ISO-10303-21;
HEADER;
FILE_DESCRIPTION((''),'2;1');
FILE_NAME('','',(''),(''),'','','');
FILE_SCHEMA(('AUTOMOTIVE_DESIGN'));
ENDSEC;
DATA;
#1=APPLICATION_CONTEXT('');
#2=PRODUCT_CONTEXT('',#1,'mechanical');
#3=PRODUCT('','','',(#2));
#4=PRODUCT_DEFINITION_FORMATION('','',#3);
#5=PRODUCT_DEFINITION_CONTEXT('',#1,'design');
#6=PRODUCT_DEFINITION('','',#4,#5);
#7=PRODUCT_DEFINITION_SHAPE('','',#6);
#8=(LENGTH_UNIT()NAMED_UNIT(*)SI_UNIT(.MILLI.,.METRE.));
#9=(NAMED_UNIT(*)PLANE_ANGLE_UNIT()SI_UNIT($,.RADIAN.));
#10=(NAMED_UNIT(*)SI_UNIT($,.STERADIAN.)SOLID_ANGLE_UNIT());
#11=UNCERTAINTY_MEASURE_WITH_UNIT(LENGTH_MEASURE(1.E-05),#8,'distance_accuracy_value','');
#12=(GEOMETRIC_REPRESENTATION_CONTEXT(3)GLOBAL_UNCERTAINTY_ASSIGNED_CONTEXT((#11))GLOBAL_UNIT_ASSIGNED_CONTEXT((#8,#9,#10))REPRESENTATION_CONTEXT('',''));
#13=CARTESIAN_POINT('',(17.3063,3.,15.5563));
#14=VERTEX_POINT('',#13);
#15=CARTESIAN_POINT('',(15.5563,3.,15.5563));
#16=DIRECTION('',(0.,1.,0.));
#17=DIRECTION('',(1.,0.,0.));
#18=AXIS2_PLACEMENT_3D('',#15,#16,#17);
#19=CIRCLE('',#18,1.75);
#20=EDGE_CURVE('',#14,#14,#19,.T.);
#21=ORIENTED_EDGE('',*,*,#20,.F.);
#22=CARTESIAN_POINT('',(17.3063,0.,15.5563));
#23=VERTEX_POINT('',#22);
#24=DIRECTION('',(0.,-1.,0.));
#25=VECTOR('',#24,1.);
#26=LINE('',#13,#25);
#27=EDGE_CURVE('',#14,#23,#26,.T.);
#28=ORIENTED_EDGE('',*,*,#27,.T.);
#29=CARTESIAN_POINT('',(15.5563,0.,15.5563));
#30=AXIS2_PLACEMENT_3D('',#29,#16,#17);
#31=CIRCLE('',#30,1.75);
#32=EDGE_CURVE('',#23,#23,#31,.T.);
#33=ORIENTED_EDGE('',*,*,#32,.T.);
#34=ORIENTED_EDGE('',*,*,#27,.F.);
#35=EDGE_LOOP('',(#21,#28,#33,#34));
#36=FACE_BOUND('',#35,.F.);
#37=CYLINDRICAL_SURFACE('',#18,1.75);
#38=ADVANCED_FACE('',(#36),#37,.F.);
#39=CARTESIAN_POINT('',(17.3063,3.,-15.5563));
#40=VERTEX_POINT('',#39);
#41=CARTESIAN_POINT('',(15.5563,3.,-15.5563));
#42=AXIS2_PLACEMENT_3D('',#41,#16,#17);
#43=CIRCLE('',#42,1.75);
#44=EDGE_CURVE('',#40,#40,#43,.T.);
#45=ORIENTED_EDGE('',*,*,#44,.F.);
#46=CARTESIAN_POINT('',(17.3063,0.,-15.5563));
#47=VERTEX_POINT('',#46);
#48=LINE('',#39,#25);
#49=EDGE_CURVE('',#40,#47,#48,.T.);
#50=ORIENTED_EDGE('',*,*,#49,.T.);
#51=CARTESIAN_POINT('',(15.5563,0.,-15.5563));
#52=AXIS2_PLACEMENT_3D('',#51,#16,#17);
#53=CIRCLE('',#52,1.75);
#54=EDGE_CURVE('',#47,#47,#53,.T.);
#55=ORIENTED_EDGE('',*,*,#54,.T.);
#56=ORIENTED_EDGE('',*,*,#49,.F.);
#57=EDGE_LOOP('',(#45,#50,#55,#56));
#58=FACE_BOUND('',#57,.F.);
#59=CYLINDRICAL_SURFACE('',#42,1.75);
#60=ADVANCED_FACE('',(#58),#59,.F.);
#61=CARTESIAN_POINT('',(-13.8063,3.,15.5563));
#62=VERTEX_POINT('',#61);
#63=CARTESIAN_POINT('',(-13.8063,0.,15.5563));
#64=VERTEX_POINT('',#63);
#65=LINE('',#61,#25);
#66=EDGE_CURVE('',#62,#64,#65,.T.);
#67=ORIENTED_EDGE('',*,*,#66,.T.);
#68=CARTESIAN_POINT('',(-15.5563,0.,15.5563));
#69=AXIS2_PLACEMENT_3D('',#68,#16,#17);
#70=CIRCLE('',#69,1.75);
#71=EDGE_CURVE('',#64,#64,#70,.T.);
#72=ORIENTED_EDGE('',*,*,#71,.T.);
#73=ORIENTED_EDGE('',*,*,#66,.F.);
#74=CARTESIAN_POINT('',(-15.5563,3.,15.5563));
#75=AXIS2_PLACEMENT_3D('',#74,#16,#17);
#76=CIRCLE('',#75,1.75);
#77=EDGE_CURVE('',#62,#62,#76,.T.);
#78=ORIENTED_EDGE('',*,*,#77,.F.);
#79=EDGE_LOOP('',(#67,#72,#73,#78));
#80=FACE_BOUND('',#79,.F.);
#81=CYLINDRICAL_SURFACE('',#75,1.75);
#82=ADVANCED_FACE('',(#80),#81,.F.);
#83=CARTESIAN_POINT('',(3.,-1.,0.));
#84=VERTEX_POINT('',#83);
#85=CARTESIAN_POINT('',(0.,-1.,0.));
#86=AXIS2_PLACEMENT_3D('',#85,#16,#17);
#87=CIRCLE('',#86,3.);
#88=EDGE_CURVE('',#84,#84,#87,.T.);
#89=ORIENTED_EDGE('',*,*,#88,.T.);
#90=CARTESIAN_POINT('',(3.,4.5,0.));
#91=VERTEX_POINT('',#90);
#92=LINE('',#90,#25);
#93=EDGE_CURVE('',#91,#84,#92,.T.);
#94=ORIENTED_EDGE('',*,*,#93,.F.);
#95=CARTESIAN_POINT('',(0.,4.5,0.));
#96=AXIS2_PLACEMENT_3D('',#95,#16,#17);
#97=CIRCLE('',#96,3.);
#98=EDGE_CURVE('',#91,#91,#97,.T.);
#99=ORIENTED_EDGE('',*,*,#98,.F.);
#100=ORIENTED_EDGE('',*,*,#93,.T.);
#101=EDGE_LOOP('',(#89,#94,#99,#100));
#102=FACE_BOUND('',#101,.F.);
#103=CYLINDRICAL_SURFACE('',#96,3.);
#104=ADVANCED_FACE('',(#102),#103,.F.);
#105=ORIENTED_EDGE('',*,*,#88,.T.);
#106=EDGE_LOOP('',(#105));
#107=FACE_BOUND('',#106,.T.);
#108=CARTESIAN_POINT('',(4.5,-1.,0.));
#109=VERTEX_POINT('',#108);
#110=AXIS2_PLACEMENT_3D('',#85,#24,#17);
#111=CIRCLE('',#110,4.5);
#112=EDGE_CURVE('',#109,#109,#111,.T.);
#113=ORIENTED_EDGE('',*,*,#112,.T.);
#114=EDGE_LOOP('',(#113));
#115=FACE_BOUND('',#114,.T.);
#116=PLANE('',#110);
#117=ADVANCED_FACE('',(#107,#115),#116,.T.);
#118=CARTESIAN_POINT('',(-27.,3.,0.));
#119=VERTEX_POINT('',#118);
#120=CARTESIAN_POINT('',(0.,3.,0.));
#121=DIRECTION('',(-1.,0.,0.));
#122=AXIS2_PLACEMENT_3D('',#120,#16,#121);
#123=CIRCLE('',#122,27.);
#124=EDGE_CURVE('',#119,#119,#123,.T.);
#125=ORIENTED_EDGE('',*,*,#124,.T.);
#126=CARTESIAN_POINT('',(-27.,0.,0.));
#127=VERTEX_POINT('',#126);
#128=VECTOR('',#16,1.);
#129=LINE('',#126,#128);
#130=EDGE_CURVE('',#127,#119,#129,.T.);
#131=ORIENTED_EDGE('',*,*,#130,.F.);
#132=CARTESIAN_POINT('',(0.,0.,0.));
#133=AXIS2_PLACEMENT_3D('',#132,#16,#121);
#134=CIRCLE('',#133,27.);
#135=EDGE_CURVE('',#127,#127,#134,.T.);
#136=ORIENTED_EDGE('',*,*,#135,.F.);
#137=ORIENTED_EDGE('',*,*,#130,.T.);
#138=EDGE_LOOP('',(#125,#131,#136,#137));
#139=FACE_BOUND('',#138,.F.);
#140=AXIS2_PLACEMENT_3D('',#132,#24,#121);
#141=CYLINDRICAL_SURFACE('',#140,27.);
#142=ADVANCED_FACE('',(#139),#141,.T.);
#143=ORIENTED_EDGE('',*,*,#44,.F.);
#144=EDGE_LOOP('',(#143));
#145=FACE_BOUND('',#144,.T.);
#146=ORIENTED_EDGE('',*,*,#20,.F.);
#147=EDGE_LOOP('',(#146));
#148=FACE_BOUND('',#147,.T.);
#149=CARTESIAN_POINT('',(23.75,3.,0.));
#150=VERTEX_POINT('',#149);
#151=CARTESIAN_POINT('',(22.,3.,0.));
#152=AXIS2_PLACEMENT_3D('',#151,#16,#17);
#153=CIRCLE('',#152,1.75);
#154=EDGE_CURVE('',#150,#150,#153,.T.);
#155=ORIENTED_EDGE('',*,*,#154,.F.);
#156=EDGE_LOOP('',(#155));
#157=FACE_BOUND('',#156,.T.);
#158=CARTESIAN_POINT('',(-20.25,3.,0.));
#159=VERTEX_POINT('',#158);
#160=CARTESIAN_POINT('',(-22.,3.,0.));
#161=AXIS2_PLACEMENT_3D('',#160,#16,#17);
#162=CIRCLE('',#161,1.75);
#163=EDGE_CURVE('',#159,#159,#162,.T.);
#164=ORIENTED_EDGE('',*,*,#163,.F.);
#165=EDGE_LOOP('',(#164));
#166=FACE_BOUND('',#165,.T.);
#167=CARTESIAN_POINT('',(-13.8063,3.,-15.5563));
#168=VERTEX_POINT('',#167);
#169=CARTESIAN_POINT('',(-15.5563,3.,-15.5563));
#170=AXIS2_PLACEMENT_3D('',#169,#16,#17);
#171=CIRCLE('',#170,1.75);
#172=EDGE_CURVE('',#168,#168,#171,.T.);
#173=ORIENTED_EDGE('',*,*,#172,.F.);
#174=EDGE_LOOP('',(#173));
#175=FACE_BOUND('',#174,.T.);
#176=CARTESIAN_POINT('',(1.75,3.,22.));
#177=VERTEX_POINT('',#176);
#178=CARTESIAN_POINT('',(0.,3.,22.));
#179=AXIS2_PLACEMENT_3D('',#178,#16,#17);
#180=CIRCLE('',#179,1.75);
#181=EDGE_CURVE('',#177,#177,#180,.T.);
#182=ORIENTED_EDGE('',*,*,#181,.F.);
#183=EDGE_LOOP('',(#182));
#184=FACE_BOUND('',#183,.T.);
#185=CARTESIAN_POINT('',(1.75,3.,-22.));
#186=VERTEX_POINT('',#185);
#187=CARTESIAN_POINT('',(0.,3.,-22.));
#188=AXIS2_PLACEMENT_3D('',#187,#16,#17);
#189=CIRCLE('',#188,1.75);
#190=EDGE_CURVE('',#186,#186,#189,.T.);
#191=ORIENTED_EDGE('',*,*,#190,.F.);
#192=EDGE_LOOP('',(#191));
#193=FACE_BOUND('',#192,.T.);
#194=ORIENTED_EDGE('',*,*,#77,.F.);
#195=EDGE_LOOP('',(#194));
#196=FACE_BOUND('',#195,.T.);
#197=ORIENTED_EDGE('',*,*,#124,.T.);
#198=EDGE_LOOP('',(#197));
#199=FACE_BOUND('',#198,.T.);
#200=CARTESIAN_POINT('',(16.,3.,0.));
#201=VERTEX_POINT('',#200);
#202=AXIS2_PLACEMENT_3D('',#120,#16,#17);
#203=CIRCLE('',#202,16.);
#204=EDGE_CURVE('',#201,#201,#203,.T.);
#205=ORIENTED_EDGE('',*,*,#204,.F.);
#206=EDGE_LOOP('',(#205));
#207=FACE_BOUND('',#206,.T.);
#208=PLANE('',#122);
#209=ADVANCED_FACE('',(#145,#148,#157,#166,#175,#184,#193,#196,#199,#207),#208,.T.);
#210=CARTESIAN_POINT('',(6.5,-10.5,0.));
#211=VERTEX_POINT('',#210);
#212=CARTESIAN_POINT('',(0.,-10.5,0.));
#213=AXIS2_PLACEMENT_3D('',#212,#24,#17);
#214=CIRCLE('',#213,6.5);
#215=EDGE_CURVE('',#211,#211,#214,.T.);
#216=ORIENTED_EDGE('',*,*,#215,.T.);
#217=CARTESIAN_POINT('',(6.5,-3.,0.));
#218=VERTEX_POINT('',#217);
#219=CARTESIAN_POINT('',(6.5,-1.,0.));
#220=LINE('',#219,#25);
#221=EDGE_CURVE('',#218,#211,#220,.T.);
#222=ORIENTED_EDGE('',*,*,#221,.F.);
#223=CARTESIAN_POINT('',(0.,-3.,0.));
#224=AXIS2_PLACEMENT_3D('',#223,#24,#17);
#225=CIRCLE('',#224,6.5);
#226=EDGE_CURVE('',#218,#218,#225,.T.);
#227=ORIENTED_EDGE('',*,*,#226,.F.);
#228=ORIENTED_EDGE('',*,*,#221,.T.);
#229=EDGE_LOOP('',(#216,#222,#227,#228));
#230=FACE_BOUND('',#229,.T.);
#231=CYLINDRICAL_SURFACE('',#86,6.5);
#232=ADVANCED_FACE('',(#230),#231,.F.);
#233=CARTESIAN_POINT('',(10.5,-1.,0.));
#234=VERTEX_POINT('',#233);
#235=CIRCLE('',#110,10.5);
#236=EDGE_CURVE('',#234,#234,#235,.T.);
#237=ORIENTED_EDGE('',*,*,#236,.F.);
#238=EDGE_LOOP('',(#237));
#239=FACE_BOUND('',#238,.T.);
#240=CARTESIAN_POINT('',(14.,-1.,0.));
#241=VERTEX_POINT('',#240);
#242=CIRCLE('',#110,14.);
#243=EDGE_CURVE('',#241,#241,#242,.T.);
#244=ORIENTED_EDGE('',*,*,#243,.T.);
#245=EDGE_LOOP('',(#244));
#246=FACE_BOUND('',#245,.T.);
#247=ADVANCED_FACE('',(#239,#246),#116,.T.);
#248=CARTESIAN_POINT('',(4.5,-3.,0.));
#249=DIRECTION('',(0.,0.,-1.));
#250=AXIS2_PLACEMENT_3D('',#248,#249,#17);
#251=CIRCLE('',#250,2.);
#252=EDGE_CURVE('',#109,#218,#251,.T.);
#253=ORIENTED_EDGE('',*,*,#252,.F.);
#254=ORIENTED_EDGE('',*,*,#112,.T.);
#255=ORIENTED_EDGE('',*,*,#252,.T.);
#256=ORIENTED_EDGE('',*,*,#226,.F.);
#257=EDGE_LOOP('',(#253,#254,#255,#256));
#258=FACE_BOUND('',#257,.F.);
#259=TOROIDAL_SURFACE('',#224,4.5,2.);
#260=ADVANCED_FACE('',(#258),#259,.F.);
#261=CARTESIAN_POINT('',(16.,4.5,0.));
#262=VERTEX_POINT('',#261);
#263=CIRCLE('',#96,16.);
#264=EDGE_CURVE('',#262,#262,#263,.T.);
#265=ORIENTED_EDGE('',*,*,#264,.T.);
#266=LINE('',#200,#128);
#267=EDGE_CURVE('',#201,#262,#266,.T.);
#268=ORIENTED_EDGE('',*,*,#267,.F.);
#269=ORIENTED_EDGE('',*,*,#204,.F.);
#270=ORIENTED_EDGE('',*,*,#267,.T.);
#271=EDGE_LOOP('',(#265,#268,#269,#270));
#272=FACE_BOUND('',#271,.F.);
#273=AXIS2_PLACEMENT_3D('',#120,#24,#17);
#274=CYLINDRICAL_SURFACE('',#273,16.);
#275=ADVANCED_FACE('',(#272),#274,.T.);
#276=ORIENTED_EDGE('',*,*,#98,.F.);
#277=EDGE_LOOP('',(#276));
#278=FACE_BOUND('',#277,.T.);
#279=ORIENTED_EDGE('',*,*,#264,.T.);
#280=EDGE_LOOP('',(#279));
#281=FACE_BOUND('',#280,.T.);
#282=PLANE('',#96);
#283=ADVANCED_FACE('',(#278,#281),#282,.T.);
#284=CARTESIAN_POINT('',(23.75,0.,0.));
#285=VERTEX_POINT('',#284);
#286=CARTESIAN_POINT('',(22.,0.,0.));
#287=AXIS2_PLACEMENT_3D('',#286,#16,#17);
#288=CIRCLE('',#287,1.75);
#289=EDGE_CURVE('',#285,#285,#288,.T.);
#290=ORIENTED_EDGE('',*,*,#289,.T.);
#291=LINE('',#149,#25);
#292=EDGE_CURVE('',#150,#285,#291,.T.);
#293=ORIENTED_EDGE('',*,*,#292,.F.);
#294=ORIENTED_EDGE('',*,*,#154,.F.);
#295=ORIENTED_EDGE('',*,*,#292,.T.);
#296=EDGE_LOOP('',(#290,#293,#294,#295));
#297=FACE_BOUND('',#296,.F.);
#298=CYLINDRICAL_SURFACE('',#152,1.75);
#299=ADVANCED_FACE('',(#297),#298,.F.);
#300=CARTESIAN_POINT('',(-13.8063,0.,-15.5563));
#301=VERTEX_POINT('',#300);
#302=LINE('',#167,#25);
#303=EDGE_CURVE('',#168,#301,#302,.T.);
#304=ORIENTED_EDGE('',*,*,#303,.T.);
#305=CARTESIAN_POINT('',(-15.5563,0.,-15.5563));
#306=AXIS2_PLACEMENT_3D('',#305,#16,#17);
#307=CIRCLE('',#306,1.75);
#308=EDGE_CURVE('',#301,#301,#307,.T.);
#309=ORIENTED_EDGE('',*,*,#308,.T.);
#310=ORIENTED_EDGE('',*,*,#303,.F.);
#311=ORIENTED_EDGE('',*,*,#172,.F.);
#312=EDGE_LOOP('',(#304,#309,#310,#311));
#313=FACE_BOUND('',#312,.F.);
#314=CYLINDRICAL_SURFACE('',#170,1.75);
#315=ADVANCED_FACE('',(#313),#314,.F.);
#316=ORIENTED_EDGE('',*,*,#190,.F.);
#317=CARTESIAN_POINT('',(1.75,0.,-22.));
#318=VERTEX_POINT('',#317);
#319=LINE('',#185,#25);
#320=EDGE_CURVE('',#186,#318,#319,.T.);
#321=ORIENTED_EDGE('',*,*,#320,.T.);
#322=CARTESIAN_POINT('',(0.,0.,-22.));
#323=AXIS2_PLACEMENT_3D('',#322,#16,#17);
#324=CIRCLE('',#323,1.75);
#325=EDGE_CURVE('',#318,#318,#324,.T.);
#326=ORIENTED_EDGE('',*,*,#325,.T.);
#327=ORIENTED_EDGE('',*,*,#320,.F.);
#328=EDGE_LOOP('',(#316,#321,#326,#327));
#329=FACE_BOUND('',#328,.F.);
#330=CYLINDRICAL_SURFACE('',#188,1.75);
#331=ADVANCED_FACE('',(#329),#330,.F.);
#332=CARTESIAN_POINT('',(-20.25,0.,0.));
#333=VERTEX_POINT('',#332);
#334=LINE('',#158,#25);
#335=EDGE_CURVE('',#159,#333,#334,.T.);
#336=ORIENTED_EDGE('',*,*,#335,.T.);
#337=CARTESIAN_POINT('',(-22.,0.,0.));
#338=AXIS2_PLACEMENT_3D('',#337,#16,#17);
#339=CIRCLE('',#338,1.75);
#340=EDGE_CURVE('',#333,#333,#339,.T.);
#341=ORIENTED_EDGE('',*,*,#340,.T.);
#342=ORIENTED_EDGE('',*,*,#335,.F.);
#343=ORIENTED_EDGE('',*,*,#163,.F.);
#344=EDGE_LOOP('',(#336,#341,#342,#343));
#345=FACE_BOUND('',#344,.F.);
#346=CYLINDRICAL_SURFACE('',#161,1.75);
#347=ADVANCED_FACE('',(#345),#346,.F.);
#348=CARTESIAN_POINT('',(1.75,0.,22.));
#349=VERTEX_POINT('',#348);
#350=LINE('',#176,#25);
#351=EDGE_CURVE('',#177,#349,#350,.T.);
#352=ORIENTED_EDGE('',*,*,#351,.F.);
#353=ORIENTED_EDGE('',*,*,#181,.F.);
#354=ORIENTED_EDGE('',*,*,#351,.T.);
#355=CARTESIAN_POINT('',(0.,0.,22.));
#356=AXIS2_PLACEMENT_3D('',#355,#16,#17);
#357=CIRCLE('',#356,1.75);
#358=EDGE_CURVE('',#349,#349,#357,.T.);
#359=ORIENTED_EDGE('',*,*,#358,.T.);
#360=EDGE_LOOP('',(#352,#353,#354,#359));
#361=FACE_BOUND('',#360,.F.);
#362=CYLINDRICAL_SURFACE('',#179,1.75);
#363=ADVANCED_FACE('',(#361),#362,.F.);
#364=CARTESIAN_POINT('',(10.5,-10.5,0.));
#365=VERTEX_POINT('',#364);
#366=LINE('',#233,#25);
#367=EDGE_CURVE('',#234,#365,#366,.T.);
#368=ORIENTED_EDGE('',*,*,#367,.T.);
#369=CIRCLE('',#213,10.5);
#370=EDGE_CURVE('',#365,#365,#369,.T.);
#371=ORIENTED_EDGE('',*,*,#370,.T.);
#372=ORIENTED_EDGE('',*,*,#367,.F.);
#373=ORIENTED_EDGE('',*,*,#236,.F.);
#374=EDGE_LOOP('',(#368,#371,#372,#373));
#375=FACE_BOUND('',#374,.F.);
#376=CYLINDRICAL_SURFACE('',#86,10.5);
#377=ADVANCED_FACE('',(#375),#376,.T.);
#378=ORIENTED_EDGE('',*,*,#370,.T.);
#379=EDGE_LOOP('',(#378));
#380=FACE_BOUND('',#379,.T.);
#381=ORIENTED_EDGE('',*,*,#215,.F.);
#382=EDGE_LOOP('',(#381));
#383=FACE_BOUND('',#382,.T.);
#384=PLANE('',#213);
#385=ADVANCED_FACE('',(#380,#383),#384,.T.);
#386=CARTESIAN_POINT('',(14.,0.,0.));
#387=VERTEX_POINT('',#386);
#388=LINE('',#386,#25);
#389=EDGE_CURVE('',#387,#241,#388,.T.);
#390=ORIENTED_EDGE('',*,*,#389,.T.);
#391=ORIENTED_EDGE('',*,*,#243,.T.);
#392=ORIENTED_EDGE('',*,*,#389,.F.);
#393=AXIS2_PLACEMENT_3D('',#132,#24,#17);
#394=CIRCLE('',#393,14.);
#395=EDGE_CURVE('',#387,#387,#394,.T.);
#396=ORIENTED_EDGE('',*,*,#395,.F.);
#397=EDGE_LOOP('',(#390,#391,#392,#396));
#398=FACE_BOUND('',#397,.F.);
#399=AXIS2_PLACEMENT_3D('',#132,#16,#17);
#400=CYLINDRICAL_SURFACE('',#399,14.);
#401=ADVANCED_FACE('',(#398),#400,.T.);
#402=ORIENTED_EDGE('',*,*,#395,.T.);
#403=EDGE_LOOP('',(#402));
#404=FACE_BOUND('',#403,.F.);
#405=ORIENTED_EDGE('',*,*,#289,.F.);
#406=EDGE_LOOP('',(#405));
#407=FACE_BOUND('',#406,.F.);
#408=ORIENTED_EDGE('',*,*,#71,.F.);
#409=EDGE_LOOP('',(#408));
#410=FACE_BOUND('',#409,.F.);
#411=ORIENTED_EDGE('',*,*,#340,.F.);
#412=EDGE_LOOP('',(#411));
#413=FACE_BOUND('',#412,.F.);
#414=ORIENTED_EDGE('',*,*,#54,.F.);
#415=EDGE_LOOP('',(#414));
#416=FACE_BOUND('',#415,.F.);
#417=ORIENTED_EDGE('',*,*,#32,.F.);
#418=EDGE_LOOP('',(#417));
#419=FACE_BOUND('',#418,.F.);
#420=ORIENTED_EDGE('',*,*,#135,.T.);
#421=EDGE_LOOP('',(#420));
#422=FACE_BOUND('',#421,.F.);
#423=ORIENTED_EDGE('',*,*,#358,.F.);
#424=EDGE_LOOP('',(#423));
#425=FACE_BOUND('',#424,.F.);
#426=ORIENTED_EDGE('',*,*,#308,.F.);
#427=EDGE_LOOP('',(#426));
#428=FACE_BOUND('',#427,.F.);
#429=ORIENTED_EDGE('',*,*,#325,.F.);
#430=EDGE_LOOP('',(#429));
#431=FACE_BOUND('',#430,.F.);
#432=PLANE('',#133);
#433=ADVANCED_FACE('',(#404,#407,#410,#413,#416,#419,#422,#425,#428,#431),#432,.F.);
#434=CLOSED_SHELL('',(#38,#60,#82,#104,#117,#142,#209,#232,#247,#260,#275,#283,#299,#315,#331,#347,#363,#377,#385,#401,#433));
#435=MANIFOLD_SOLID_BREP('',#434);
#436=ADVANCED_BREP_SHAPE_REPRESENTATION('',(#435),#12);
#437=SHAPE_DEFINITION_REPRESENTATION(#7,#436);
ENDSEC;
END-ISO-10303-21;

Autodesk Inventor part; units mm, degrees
ref_plane "YZ Plane" through (0, 0, 0) normal (1, 0, 0) x (0, 1, 0)
ref_plane "XZ Plane" through (0, 0, 0) normal (0, 1, 0) x (-1, 0, 0)
ref_plane "XY Plane" through (0, 0, 0) normal (0, 0, 1) x (1, 0, 0)
sketch "Sketch1" plane through (0, 0, 0) normal (0, 1, 0) x (-1, 0, 0)
  circle A0 centre (0, 0) radius 27
  dimension "d0" = 54
extrude "Extrusion1" add sketch "Sketch1" along normal blind 3
sketch "Sketch2" plane through (0, 3, 0) normal (0, 1, 0) x (1, 0, 0)
  circle A0 centre (0, 0) radius 16
  dimension "d3" = 32
extrude "Extrusion2" add sketch "Sketch2" along normal blind 1.5
sketch "Sketch3" plane through (0, 0, 0) normal (0, -1, 0) x (1, 0, 0)
  circle A0 centre (0, 0) radius 14
  dimension "d6" = 28
extrude "Extrusion3" add sketch "Sketch3" along normal blind 1
sketch "Sketch4" plane through (0, 4.5, 0) normal (0, 1, 0) x (1, 0, 0)
  circle A0 centre (0, 0) radius 3
  dimension "d9" = 6
extrude "Extrusion4" cut sketch "Sketch4" against normal through all
sketch "Sketch5" plane through (0, -1, 0) normal (0, -1, 0) x (1, 0, 0)
  circle A0 centre (0, 0) radius 6.5
  circle A1 centre (0, 0) radius 10.5
  dimension "d12" = 13
  dimension "d16" = 21
extrude "Extrusion6" add sketch "Sketch5" along normal blind 9.5
fillet "Fillet1" radius 2 1 edges at (-6.5, -1, 0)
sketch "Sketch7" plane through (0, 3, 0) normal (0, 1, 0) x (1, 0, 0)
  circle A0 centre (0, 0) radius 3 construction
  circle A1 centre (0, 0) radius 22 construction
  circle A2 centre (-22, 0) radius 1.75
  circle A3 centre (-15.5563, -15.5563) radius 1.75
  circle A4 centre (0, -22) radius 1.75
  circle A5 centre (15.5563, -15.5563) radius 1.75
  circle A6 centre (22, 0) radius 1.75
  circle A7 centre (15.5563, 15.5563) radius 1.75
  circle A8 centre (0, 22) radius 1.75
  circle A9 centre (-15.5563, 15.5563) radius 1.75
  dimension "d20" = 44
  dimension "d22" = 3.5
  dimension "d25" = 360
extrude "Extrusion7" cut sketch "Sketch7" against normal through all
properties part number "reverse gear lower cylinder cover"
